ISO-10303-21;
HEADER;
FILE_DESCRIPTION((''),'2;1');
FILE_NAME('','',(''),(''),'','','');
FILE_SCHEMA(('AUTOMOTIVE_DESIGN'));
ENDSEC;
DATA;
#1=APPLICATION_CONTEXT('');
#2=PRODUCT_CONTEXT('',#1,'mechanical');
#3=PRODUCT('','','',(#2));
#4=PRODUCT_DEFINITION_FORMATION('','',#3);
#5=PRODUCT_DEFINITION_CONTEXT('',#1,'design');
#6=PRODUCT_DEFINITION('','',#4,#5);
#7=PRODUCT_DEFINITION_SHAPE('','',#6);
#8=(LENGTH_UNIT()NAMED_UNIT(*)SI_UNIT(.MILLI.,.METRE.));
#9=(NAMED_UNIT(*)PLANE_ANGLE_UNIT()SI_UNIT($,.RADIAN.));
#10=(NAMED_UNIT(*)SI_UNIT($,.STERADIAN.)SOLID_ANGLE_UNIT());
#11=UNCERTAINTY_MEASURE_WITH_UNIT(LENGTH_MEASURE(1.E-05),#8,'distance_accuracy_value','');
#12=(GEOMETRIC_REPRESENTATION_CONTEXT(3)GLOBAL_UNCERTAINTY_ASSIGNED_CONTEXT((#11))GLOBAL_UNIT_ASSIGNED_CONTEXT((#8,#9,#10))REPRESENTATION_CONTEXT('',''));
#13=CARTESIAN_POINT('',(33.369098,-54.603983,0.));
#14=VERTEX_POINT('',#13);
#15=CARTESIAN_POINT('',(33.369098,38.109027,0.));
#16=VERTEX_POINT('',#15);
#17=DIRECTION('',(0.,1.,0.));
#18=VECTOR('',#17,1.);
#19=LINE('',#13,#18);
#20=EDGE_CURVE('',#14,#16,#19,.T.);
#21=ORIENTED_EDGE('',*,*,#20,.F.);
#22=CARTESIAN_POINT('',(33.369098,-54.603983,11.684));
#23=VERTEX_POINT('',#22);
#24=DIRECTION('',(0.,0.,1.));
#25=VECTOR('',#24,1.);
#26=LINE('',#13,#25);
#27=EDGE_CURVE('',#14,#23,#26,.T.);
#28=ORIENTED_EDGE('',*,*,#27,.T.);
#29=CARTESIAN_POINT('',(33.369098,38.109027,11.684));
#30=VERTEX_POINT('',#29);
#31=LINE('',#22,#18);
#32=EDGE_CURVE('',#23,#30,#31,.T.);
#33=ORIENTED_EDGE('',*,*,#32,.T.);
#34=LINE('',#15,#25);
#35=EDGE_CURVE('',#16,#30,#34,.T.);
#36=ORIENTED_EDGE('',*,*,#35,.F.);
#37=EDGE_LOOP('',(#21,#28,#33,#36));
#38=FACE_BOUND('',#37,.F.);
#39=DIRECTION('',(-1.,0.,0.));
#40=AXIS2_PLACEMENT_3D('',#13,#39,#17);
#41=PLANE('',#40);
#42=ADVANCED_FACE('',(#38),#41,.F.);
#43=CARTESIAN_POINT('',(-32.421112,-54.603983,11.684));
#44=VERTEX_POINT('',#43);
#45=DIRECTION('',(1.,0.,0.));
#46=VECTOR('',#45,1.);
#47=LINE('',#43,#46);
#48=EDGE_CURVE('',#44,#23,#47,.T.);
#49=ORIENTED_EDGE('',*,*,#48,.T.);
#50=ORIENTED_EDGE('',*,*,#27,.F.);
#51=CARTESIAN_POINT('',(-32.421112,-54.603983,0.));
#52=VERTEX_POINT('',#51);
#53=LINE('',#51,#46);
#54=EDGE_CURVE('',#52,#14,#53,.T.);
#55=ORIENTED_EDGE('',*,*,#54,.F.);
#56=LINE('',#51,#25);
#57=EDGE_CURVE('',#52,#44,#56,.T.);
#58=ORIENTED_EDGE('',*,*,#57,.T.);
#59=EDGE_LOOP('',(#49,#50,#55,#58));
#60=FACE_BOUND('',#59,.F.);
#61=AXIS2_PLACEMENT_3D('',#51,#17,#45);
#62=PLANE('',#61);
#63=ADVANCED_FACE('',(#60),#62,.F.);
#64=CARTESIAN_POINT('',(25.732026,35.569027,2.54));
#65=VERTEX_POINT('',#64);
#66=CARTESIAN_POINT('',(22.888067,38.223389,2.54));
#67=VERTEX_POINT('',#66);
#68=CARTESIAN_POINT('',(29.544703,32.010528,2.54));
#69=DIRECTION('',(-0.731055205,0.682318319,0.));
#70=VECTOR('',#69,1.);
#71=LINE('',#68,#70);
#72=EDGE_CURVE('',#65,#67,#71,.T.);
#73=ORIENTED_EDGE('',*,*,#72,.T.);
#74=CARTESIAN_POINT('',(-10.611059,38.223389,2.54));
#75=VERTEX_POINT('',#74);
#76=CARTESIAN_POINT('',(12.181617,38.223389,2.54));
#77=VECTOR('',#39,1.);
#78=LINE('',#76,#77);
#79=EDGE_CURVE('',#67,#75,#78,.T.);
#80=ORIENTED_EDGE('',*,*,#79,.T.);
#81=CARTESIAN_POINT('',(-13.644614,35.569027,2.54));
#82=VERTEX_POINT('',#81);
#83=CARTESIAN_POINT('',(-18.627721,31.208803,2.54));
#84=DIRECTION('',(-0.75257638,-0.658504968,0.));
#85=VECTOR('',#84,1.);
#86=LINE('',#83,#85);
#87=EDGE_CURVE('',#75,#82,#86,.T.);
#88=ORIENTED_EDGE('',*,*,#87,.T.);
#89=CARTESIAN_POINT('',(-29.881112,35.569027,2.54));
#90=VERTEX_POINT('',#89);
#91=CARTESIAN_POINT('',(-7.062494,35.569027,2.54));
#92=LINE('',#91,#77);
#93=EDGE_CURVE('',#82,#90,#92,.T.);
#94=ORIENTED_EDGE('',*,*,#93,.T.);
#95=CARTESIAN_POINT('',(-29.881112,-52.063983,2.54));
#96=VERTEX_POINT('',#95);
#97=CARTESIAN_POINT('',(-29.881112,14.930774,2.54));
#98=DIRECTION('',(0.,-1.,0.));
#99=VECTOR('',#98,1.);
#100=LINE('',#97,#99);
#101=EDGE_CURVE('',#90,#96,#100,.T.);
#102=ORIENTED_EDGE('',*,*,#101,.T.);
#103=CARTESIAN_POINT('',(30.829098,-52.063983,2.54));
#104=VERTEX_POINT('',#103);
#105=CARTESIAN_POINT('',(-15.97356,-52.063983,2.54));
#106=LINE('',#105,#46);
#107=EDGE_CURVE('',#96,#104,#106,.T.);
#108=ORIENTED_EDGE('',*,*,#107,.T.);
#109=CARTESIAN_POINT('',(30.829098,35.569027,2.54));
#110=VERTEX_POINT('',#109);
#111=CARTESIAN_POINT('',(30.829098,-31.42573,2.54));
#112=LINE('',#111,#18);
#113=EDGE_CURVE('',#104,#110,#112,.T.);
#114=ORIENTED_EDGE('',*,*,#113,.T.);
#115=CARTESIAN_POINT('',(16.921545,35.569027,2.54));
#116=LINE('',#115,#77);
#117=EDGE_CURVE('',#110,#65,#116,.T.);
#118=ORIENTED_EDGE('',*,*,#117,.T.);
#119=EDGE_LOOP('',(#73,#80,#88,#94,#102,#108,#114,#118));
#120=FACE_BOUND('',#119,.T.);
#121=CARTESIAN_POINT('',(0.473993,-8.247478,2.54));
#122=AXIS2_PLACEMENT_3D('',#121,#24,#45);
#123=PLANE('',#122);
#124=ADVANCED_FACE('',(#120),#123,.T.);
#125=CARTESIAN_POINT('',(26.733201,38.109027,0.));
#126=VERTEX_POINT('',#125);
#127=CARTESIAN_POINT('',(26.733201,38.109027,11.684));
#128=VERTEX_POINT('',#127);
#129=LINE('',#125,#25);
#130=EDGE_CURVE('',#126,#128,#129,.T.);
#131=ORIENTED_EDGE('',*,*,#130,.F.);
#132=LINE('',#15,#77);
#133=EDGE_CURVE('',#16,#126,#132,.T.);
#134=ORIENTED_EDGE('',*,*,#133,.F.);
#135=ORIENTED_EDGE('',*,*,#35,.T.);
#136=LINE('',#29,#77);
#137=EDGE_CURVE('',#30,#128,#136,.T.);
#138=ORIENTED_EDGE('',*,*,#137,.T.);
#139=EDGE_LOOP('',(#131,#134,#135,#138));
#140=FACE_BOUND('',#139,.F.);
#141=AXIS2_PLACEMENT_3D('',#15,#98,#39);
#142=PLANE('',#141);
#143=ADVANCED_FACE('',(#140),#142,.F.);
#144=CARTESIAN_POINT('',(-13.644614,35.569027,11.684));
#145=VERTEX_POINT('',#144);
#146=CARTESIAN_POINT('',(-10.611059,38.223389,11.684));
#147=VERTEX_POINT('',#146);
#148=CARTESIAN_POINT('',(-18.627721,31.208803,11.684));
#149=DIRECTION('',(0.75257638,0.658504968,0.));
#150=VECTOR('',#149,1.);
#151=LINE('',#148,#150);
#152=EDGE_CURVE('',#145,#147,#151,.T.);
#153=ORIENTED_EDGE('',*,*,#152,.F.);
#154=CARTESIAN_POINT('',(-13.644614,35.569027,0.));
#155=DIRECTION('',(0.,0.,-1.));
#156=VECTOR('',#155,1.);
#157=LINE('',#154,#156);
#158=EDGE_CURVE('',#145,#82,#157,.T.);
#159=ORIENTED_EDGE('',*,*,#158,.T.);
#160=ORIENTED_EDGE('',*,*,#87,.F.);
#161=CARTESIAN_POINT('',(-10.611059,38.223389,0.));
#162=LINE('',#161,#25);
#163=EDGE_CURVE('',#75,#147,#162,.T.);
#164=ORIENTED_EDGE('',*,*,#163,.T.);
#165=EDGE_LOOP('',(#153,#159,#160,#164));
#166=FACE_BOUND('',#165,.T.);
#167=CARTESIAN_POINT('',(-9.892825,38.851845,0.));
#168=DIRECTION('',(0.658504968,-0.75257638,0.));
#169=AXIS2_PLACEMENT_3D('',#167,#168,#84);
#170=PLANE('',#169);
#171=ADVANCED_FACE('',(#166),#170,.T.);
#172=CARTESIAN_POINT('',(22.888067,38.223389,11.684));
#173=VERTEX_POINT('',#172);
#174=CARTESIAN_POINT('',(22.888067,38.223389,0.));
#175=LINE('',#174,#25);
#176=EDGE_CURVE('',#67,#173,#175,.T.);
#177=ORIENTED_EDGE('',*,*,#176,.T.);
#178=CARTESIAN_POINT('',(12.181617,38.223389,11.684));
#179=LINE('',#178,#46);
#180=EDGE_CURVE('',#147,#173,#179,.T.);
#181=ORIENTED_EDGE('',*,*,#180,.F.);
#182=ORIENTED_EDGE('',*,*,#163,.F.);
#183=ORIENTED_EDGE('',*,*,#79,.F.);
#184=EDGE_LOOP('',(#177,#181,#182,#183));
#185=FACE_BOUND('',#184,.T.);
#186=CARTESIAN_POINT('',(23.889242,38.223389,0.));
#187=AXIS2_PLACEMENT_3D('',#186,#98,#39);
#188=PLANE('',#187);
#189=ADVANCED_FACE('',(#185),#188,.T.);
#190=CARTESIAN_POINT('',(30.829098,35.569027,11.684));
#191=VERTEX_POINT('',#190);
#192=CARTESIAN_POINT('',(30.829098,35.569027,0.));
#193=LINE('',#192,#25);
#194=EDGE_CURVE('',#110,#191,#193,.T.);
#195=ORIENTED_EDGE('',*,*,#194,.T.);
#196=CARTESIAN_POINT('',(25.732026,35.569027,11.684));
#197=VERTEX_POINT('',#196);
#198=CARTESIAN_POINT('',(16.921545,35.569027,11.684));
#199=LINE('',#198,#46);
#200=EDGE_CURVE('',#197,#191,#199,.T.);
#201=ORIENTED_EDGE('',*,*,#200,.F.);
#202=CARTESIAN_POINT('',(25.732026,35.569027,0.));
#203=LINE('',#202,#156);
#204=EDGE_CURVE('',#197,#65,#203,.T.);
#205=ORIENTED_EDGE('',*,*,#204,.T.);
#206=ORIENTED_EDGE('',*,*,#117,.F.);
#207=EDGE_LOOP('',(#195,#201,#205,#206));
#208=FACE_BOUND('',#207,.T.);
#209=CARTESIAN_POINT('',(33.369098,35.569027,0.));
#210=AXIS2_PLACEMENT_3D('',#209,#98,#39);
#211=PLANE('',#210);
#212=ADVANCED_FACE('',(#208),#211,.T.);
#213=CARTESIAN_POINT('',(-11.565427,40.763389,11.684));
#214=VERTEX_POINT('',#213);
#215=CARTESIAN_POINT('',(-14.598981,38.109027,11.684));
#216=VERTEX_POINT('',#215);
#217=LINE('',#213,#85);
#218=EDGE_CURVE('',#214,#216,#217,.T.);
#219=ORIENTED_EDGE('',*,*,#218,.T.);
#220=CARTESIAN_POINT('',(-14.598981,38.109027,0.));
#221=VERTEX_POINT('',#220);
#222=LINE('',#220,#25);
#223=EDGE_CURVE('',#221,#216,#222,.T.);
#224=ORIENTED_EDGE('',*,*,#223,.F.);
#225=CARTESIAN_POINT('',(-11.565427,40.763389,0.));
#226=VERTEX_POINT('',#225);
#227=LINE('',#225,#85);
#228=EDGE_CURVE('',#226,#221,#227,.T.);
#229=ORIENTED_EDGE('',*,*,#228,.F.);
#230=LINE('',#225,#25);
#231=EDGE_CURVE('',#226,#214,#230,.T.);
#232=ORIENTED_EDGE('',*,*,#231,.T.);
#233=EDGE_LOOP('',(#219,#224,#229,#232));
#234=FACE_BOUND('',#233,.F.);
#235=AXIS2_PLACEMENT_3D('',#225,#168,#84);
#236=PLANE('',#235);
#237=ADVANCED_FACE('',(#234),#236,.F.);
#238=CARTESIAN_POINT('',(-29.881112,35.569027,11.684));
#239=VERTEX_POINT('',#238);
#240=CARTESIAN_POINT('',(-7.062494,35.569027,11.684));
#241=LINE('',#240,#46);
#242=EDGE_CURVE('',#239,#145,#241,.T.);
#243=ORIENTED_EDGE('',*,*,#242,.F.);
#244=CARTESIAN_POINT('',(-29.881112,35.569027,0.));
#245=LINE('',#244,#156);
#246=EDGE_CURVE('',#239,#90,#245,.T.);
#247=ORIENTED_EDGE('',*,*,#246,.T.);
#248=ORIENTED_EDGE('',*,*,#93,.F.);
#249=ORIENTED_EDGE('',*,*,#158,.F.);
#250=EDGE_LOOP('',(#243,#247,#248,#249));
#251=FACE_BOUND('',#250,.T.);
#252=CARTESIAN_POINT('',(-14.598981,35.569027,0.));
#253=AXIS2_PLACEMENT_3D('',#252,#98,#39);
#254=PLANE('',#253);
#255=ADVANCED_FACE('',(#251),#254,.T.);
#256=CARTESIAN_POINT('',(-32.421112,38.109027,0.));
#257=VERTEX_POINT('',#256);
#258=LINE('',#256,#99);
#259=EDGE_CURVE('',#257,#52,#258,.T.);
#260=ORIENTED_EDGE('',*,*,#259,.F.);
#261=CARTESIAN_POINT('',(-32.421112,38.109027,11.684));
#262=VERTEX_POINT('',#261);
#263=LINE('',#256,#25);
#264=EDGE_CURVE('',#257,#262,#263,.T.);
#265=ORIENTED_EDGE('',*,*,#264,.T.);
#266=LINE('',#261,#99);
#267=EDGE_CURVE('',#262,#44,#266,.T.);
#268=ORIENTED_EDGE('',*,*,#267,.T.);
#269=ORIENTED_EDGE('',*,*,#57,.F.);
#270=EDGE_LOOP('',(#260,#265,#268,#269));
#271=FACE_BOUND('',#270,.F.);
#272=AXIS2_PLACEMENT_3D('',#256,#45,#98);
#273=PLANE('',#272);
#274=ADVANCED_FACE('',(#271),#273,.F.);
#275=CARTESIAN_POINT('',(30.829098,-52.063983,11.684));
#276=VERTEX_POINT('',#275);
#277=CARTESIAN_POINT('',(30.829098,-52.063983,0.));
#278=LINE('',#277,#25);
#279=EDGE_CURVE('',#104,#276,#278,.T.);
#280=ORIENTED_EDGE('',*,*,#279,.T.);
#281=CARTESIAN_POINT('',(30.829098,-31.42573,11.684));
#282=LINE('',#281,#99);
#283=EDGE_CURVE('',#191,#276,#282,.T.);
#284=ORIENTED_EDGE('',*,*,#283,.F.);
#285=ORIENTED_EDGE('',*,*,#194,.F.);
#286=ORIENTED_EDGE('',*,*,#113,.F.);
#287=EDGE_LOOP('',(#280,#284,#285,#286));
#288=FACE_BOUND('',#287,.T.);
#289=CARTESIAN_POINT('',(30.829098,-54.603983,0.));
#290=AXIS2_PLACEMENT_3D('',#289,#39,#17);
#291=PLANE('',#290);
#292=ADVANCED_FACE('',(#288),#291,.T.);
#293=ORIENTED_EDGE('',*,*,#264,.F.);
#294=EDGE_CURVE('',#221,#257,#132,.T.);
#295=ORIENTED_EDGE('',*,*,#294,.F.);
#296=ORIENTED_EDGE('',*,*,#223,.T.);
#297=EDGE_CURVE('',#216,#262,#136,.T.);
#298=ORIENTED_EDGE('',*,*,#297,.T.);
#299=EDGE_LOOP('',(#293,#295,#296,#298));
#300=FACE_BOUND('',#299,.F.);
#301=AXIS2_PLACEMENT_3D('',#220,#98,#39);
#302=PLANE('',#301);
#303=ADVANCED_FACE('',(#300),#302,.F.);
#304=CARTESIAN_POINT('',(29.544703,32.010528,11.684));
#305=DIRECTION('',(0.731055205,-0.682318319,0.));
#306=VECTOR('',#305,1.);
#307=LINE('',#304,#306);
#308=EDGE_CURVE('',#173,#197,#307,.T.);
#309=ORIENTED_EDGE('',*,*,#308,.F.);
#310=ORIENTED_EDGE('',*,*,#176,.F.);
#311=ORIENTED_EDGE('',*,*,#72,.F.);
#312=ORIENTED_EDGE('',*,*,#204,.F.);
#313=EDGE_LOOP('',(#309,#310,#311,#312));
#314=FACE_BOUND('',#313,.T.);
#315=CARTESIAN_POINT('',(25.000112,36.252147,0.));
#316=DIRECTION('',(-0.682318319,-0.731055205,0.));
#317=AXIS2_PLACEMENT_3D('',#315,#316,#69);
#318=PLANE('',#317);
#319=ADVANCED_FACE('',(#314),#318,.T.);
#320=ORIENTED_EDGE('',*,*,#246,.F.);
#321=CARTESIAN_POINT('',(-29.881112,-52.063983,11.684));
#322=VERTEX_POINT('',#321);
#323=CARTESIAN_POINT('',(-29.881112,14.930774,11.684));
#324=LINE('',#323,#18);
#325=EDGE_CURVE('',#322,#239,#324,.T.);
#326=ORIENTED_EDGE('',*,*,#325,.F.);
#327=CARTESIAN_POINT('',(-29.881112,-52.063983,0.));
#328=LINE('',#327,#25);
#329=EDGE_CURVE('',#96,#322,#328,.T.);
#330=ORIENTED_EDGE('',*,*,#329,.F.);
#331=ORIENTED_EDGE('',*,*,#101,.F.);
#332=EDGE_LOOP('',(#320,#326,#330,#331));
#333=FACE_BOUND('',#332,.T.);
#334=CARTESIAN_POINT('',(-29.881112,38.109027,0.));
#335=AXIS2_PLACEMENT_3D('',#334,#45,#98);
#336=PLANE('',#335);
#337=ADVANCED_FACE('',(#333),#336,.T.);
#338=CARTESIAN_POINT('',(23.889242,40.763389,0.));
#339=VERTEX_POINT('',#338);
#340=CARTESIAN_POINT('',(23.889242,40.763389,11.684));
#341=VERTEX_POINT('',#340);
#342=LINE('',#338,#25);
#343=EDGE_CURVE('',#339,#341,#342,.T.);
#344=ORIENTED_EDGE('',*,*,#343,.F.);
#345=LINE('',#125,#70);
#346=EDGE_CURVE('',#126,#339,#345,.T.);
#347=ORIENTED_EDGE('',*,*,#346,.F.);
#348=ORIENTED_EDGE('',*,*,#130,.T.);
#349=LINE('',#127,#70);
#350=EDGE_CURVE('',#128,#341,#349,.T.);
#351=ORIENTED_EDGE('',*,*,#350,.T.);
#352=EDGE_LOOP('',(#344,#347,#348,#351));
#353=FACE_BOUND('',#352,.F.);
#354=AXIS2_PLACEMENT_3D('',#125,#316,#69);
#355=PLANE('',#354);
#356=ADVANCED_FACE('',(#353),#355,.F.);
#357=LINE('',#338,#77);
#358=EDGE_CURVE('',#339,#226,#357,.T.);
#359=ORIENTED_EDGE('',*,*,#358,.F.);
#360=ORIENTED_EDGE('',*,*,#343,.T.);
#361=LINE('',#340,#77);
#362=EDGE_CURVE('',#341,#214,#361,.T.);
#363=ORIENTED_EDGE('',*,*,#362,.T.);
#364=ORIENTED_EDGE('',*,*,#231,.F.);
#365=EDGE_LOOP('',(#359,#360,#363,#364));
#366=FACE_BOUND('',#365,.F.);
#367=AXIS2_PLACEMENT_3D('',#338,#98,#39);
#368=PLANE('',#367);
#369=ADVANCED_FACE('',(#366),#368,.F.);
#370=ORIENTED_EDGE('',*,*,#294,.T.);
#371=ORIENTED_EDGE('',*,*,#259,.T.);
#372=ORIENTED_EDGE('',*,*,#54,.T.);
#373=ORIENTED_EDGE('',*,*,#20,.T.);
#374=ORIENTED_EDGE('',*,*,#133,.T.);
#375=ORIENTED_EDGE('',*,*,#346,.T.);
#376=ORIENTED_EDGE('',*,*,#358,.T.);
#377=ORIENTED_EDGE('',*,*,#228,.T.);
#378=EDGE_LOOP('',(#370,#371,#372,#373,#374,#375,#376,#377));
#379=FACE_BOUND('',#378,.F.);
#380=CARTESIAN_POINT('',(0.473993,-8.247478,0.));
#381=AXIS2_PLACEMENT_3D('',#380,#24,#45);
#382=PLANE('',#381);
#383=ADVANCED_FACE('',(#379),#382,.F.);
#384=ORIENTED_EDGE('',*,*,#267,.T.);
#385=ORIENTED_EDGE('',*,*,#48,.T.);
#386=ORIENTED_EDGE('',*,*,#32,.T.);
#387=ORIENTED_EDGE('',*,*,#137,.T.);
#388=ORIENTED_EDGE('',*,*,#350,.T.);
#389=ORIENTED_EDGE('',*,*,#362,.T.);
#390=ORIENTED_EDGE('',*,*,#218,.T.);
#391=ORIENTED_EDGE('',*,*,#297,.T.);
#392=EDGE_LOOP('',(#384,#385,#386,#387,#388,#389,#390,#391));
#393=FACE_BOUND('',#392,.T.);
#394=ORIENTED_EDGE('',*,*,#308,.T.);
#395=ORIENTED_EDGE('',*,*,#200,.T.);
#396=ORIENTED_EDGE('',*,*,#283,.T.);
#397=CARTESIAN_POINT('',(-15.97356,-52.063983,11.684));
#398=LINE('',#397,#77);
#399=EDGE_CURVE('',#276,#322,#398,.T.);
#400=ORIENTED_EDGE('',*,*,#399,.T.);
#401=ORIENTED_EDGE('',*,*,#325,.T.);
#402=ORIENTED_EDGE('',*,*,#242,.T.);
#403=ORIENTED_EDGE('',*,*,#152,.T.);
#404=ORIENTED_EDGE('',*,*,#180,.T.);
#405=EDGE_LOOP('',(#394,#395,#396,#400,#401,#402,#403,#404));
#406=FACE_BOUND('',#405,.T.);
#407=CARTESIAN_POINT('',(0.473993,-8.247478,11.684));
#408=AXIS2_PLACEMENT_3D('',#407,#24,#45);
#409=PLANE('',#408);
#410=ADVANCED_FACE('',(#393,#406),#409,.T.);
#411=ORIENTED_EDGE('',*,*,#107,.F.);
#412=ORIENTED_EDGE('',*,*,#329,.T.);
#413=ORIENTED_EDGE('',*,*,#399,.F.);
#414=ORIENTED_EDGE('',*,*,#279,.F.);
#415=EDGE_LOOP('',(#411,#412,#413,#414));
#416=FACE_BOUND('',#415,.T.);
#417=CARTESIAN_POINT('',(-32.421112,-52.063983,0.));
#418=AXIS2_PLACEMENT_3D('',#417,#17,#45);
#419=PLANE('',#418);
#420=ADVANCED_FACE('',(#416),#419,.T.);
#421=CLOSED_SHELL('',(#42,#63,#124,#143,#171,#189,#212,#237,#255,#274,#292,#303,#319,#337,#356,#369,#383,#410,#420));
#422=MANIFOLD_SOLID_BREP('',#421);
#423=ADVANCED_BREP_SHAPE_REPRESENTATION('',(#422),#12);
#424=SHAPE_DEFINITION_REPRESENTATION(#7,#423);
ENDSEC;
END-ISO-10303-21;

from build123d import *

# Parameters (mm, degrees)
F1_DEPTH = 11.684
F2_T     = -2.54


with BuildPart() as f1:
    # F0 (on Top) → F1 (new body)
    with BuildSketch(Plane.XY):
        Polygon((-14.5989814773, 38.1090268493), (-32.4211120605, 38.1090268493), (-32.4211120605, -54.6039827168), (33.3690978587, -54.6039827168), (33.3690978587, 38.1090268493), (26.7332009971, 38.1090268493), align=None)
        Polygon((-11.5654272959, 40.7633893192), (-14.5989814773, 38.1090268493), (26.7332009971, 38.1090268493), (23.8892417401, 40.7633893192), align=None)
    extrude(amount=F1_DEPTH)

    # F2
    f2_openings = [f1.faces().sort_by_distance(p)[0] for p in [
        (0.566664, -7.464444, 11.684),
    ]]
    offset(amount=F2_T, openings=f2_openings, kind=Kind.INTERSECTION)


solid = f1.part
